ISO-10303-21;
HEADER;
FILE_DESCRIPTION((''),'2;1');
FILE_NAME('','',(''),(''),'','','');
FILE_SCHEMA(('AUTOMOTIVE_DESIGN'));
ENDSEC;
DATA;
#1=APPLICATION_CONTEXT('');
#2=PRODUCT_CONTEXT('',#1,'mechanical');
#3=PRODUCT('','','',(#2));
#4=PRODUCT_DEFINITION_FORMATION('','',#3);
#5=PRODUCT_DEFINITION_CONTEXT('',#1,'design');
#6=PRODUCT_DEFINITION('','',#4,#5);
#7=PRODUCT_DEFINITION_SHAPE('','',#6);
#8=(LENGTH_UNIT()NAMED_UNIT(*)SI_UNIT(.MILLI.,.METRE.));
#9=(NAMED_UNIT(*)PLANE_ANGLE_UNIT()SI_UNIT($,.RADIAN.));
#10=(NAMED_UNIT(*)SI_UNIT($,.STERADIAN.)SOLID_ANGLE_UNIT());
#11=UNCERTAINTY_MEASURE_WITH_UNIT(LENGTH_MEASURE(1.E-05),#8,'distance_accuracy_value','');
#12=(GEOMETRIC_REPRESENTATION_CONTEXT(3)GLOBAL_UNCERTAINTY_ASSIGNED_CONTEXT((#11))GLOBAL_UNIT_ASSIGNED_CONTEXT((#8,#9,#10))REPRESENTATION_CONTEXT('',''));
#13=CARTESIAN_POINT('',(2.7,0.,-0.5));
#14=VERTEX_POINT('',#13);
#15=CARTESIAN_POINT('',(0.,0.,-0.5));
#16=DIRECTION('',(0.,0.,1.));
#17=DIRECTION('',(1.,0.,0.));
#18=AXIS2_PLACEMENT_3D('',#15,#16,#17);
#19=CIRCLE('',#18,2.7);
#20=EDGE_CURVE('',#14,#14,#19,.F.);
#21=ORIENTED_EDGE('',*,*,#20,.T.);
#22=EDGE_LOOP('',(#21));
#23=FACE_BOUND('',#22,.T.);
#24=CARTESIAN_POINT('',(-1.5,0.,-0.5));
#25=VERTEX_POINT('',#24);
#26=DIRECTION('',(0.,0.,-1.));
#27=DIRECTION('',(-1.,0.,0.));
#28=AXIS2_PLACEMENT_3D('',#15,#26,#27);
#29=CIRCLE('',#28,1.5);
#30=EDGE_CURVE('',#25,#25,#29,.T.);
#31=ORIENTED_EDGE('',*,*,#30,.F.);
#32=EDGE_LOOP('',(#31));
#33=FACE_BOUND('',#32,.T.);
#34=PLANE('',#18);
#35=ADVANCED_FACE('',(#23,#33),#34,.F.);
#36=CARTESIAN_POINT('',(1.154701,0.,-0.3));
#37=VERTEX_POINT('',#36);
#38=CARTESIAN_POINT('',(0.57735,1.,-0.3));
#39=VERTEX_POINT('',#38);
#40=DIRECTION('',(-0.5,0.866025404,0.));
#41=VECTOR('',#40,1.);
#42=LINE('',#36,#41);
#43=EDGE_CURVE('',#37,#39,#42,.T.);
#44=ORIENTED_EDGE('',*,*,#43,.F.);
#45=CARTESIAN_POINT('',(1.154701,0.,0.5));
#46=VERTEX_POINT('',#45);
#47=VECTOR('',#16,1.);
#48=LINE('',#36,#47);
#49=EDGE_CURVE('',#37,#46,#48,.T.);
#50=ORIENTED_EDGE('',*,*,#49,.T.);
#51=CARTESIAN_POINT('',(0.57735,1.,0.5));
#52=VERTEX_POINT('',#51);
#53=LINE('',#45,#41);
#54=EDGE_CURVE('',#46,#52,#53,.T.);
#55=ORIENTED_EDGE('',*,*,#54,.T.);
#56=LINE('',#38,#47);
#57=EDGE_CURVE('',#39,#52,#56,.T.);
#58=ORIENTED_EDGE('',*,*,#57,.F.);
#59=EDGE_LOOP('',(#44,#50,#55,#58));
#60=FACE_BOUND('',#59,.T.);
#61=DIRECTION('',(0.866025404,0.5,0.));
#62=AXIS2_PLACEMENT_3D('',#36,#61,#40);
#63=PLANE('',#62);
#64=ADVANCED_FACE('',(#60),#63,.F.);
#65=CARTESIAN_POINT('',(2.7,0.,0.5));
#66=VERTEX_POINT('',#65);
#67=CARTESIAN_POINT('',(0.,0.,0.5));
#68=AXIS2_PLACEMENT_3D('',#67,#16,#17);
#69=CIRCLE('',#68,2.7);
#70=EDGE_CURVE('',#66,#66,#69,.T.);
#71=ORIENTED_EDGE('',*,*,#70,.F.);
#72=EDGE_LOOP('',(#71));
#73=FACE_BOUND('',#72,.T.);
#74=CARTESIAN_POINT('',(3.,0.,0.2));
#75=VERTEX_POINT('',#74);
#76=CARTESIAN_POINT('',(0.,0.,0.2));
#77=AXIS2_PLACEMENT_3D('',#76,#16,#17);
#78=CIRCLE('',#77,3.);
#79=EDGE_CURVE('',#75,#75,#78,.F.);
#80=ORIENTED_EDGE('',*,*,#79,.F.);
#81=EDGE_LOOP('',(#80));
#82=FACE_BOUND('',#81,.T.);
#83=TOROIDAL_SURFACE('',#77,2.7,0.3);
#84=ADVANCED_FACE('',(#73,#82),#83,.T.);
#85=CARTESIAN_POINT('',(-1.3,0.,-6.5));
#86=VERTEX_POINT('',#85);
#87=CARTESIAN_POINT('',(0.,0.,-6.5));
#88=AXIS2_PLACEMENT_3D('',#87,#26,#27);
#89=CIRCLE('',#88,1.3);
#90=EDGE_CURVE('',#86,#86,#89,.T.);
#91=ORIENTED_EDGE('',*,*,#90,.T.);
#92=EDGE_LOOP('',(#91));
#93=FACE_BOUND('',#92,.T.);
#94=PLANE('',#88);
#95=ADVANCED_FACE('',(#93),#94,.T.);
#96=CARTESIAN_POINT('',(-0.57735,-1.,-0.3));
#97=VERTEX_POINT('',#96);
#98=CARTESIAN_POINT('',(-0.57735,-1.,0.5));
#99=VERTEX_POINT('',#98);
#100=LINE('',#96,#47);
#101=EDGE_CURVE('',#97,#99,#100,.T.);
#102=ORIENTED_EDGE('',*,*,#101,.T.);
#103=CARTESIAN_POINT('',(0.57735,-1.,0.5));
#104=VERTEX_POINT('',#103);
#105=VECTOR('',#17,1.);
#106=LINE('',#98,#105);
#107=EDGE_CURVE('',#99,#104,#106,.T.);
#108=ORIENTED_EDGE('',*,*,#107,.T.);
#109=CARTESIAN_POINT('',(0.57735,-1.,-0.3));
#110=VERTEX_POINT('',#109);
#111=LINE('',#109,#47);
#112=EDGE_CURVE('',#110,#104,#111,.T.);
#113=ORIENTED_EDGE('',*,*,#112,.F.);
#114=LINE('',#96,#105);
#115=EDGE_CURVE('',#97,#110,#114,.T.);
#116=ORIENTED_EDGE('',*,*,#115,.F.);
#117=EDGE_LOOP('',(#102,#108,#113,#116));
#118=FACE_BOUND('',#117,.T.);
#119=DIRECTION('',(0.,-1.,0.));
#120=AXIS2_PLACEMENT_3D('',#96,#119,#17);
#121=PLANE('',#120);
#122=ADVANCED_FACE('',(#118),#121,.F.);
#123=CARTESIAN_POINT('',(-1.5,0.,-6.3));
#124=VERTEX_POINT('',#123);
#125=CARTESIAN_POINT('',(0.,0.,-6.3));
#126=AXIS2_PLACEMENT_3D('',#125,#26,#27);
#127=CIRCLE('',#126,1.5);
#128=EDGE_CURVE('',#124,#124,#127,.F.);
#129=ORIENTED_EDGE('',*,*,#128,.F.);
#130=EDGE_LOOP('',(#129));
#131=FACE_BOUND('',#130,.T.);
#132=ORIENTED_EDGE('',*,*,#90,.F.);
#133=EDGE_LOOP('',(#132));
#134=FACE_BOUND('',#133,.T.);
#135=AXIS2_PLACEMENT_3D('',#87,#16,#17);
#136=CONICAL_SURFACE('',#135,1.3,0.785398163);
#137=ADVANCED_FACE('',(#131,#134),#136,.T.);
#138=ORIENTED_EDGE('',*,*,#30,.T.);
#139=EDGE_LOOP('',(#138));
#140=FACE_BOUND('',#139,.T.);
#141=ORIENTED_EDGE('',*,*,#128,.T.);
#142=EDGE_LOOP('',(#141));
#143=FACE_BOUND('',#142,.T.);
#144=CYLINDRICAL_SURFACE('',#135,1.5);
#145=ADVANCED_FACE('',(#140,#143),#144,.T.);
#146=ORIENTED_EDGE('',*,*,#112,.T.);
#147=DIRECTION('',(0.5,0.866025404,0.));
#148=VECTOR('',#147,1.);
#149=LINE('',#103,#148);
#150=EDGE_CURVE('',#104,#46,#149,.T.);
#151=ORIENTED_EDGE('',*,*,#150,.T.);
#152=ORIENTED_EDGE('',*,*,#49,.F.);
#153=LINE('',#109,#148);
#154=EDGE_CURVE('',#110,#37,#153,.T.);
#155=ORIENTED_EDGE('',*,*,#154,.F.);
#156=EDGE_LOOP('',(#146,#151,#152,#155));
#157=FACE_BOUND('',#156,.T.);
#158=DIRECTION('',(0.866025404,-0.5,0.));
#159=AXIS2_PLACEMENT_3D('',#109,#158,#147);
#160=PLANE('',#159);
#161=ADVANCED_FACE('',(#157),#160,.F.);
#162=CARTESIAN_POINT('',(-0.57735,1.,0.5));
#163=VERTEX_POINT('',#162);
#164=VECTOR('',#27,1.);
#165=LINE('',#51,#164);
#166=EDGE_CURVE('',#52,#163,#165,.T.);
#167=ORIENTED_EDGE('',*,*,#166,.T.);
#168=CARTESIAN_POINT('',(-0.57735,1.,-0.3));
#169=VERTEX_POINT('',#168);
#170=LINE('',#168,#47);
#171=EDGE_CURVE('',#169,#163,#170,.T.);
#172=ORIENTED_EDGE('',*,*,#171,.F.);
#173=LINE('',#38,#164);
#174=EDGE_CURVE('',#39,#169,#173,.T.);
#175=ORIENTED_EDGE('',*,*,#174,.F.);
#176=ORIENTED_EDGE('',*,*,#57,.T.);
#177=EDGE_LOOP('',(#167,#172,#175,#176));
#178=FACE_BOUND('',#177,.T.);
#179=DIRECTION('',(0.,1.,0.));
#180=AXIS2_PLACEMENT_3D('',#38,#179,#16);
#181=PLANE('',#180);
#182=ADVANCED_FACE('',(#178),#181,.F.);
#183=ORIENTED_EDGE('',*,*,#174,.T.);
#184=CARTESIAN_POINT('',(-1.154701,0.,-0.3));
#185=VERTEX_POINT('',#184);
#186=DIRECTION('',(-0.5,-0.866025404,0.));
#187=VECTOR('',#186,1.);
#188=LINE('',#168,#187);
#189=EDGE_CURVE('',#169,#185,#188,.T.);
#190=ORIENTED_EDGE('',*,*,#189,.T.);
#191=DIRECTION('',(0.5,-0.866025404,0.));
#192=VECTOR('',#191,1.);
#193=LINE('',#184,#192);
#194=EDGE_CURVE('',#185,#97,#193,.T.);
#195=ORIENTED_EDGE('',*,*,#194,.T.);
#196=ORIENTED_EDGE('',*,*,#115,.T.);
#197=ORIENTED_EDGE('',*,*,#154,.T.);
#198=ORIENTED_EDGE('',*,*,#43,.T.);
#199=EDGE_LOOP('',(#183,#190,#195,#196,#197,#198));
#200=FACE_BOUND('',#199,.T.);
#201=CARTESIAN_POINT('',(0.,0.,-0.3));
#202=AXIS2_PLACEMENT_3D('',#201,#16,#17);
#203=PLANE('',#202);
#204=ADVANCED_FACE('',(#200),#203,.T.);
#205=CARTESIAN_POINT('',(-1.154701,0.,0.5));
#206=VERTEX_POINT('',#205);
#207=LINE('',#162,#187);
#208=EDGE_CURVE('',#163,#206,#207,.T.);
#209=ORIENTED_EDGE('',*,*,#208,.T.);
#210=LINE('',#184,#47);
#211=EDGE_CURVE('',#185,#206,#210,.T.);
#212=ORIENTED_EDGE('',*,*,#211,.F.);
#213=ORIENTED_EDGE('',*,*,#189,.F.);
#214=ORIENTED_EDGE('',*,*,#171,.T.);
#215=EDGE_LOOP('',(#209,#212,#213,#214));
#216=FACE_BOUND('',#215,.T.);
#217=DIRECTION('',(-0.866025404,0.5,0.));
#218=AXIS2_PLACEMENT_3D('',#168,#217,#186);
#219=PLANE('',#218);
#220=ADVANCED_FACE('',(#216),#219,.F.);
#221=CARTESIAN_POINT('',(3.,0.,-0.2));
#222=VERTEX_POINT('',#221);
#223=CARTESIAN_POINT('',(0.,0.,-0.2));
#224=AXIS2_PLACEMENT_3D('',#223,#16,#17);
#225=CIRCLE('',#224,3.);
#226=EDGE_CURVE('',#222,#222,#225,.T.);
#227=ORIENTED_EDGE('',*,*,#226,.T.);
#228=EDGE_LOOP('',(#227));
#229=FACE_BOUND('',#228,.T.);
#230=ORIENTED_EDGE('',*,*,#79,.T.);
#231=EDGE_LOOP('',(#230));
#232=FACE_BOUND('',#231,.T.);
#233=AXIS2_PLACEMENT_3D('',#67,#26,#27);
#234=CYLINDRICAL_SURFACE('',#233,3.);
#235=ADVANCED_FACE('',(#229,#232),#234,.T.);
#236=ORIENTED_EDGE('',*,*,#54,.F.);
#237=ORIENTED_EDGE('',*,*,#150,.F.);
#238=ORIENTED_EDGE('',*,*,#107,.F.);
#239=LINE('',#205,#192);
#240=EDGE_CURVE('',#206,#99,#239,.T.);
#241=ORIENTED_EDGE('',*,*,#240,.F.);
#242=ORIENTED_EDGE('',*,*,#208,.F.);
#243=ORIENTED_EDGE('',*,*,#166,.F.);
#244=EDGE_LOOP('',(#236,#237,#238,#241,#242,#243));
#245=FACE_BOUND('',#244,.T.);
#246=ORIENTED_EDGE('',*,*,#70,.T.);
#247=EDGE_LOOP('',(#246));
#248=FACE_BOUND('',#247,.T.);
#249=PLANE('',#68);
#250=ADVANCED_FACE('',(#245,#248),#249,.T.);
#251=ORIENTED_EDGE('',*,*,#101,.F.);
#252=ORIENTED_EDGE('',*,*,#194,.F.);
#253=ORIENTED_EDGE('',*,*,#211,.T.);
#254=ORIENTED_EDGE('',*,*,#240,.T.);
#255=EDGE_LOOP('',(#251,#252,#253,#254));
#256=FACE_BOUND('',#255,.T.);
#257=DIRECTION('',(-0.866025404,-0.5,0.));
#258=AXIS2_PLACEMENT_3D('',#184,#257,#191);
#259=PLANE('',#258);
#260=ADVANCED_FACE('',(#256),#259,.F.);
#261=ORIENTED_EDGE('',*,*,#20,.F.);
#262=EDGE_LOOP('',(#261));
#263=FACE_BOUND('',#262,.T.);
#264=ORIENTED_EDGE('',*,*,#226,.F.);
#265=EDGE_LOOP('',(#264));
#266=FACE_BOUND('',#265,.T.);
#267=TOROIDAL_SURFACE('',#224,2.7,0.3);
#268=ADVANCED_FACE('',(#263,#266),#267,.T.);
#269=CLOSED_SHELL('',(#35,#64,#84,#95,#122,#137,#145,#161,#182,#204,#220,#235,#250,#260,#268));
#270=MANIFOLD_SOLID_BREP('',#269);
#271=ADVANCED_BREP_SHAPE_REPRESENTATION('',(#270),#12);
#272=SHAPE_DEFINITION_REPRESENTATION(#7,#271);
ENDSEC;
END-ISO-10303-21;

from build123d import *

# Parameters (mm, degrees)
SKETCH_1_R          = 3
EXTRUDE_1_DEPTH     = 0.5
SKETCH_2_R          = 1.5
EXTRUDE_2_DEPTH     = 6
CHAMFER_1_SIZE      = 0.2
CUT_EXTRUDE_1_DEPTH = 0.8
FILLET_2_R          = 0.3


with BuildPart() as part:
    # 草图1 → 凸台-拉伸1 (new body, symmetric)
    with BuildSketch(Plane.XY):
        Circle(SKETCH_1_R)
    extrude(amount=EXTRUDE_1_DEPTH, both=True)

    # 草图2 → 凸台-拉伸2 (add)
    with BuildSketch(Plane(origin=(0, 0, -0.5), x_dir=(-1, 0, 0), z_dir=(0, 0, -1))):
        Circle(SKETCH_2_R)
    extrude(amount=EXTRUDE_2_DEPTH)

    # 倒角1
    chamfer_1_edges = [part.edges().sort_by_distance(p)[0] for p in [
        (1.5, 0, -6.5),
    ]]
    chamfer(chamfer_1_edges, length=CHAMFER_1_SIZE)

    # 草图3 → 切除-拉伸1 (cut)
    with BuildSketch(Plane.XY.offset(0.5)):
        Polygon((1.154700538, 0), (0.577350269, 1), (-0.577350269, 1), (-1.154700538, 0), (-0.577350269, -1), (0.577350269, -1), align=None)
    extrude(amount=-CUT_EXTRUDE_1_DEPTH, mode=Mode.SUBTRACT)

    # 圆角2
    fillet_2_edges = [part.edges().sort_by_distance(p)[0] for p in [
        (-3, 0, -0.5),
        (-3, 0, 0.5),
    ]]
    fillet(fillet_2_edges, radius=FILLET_2_R)


solid = part.part
